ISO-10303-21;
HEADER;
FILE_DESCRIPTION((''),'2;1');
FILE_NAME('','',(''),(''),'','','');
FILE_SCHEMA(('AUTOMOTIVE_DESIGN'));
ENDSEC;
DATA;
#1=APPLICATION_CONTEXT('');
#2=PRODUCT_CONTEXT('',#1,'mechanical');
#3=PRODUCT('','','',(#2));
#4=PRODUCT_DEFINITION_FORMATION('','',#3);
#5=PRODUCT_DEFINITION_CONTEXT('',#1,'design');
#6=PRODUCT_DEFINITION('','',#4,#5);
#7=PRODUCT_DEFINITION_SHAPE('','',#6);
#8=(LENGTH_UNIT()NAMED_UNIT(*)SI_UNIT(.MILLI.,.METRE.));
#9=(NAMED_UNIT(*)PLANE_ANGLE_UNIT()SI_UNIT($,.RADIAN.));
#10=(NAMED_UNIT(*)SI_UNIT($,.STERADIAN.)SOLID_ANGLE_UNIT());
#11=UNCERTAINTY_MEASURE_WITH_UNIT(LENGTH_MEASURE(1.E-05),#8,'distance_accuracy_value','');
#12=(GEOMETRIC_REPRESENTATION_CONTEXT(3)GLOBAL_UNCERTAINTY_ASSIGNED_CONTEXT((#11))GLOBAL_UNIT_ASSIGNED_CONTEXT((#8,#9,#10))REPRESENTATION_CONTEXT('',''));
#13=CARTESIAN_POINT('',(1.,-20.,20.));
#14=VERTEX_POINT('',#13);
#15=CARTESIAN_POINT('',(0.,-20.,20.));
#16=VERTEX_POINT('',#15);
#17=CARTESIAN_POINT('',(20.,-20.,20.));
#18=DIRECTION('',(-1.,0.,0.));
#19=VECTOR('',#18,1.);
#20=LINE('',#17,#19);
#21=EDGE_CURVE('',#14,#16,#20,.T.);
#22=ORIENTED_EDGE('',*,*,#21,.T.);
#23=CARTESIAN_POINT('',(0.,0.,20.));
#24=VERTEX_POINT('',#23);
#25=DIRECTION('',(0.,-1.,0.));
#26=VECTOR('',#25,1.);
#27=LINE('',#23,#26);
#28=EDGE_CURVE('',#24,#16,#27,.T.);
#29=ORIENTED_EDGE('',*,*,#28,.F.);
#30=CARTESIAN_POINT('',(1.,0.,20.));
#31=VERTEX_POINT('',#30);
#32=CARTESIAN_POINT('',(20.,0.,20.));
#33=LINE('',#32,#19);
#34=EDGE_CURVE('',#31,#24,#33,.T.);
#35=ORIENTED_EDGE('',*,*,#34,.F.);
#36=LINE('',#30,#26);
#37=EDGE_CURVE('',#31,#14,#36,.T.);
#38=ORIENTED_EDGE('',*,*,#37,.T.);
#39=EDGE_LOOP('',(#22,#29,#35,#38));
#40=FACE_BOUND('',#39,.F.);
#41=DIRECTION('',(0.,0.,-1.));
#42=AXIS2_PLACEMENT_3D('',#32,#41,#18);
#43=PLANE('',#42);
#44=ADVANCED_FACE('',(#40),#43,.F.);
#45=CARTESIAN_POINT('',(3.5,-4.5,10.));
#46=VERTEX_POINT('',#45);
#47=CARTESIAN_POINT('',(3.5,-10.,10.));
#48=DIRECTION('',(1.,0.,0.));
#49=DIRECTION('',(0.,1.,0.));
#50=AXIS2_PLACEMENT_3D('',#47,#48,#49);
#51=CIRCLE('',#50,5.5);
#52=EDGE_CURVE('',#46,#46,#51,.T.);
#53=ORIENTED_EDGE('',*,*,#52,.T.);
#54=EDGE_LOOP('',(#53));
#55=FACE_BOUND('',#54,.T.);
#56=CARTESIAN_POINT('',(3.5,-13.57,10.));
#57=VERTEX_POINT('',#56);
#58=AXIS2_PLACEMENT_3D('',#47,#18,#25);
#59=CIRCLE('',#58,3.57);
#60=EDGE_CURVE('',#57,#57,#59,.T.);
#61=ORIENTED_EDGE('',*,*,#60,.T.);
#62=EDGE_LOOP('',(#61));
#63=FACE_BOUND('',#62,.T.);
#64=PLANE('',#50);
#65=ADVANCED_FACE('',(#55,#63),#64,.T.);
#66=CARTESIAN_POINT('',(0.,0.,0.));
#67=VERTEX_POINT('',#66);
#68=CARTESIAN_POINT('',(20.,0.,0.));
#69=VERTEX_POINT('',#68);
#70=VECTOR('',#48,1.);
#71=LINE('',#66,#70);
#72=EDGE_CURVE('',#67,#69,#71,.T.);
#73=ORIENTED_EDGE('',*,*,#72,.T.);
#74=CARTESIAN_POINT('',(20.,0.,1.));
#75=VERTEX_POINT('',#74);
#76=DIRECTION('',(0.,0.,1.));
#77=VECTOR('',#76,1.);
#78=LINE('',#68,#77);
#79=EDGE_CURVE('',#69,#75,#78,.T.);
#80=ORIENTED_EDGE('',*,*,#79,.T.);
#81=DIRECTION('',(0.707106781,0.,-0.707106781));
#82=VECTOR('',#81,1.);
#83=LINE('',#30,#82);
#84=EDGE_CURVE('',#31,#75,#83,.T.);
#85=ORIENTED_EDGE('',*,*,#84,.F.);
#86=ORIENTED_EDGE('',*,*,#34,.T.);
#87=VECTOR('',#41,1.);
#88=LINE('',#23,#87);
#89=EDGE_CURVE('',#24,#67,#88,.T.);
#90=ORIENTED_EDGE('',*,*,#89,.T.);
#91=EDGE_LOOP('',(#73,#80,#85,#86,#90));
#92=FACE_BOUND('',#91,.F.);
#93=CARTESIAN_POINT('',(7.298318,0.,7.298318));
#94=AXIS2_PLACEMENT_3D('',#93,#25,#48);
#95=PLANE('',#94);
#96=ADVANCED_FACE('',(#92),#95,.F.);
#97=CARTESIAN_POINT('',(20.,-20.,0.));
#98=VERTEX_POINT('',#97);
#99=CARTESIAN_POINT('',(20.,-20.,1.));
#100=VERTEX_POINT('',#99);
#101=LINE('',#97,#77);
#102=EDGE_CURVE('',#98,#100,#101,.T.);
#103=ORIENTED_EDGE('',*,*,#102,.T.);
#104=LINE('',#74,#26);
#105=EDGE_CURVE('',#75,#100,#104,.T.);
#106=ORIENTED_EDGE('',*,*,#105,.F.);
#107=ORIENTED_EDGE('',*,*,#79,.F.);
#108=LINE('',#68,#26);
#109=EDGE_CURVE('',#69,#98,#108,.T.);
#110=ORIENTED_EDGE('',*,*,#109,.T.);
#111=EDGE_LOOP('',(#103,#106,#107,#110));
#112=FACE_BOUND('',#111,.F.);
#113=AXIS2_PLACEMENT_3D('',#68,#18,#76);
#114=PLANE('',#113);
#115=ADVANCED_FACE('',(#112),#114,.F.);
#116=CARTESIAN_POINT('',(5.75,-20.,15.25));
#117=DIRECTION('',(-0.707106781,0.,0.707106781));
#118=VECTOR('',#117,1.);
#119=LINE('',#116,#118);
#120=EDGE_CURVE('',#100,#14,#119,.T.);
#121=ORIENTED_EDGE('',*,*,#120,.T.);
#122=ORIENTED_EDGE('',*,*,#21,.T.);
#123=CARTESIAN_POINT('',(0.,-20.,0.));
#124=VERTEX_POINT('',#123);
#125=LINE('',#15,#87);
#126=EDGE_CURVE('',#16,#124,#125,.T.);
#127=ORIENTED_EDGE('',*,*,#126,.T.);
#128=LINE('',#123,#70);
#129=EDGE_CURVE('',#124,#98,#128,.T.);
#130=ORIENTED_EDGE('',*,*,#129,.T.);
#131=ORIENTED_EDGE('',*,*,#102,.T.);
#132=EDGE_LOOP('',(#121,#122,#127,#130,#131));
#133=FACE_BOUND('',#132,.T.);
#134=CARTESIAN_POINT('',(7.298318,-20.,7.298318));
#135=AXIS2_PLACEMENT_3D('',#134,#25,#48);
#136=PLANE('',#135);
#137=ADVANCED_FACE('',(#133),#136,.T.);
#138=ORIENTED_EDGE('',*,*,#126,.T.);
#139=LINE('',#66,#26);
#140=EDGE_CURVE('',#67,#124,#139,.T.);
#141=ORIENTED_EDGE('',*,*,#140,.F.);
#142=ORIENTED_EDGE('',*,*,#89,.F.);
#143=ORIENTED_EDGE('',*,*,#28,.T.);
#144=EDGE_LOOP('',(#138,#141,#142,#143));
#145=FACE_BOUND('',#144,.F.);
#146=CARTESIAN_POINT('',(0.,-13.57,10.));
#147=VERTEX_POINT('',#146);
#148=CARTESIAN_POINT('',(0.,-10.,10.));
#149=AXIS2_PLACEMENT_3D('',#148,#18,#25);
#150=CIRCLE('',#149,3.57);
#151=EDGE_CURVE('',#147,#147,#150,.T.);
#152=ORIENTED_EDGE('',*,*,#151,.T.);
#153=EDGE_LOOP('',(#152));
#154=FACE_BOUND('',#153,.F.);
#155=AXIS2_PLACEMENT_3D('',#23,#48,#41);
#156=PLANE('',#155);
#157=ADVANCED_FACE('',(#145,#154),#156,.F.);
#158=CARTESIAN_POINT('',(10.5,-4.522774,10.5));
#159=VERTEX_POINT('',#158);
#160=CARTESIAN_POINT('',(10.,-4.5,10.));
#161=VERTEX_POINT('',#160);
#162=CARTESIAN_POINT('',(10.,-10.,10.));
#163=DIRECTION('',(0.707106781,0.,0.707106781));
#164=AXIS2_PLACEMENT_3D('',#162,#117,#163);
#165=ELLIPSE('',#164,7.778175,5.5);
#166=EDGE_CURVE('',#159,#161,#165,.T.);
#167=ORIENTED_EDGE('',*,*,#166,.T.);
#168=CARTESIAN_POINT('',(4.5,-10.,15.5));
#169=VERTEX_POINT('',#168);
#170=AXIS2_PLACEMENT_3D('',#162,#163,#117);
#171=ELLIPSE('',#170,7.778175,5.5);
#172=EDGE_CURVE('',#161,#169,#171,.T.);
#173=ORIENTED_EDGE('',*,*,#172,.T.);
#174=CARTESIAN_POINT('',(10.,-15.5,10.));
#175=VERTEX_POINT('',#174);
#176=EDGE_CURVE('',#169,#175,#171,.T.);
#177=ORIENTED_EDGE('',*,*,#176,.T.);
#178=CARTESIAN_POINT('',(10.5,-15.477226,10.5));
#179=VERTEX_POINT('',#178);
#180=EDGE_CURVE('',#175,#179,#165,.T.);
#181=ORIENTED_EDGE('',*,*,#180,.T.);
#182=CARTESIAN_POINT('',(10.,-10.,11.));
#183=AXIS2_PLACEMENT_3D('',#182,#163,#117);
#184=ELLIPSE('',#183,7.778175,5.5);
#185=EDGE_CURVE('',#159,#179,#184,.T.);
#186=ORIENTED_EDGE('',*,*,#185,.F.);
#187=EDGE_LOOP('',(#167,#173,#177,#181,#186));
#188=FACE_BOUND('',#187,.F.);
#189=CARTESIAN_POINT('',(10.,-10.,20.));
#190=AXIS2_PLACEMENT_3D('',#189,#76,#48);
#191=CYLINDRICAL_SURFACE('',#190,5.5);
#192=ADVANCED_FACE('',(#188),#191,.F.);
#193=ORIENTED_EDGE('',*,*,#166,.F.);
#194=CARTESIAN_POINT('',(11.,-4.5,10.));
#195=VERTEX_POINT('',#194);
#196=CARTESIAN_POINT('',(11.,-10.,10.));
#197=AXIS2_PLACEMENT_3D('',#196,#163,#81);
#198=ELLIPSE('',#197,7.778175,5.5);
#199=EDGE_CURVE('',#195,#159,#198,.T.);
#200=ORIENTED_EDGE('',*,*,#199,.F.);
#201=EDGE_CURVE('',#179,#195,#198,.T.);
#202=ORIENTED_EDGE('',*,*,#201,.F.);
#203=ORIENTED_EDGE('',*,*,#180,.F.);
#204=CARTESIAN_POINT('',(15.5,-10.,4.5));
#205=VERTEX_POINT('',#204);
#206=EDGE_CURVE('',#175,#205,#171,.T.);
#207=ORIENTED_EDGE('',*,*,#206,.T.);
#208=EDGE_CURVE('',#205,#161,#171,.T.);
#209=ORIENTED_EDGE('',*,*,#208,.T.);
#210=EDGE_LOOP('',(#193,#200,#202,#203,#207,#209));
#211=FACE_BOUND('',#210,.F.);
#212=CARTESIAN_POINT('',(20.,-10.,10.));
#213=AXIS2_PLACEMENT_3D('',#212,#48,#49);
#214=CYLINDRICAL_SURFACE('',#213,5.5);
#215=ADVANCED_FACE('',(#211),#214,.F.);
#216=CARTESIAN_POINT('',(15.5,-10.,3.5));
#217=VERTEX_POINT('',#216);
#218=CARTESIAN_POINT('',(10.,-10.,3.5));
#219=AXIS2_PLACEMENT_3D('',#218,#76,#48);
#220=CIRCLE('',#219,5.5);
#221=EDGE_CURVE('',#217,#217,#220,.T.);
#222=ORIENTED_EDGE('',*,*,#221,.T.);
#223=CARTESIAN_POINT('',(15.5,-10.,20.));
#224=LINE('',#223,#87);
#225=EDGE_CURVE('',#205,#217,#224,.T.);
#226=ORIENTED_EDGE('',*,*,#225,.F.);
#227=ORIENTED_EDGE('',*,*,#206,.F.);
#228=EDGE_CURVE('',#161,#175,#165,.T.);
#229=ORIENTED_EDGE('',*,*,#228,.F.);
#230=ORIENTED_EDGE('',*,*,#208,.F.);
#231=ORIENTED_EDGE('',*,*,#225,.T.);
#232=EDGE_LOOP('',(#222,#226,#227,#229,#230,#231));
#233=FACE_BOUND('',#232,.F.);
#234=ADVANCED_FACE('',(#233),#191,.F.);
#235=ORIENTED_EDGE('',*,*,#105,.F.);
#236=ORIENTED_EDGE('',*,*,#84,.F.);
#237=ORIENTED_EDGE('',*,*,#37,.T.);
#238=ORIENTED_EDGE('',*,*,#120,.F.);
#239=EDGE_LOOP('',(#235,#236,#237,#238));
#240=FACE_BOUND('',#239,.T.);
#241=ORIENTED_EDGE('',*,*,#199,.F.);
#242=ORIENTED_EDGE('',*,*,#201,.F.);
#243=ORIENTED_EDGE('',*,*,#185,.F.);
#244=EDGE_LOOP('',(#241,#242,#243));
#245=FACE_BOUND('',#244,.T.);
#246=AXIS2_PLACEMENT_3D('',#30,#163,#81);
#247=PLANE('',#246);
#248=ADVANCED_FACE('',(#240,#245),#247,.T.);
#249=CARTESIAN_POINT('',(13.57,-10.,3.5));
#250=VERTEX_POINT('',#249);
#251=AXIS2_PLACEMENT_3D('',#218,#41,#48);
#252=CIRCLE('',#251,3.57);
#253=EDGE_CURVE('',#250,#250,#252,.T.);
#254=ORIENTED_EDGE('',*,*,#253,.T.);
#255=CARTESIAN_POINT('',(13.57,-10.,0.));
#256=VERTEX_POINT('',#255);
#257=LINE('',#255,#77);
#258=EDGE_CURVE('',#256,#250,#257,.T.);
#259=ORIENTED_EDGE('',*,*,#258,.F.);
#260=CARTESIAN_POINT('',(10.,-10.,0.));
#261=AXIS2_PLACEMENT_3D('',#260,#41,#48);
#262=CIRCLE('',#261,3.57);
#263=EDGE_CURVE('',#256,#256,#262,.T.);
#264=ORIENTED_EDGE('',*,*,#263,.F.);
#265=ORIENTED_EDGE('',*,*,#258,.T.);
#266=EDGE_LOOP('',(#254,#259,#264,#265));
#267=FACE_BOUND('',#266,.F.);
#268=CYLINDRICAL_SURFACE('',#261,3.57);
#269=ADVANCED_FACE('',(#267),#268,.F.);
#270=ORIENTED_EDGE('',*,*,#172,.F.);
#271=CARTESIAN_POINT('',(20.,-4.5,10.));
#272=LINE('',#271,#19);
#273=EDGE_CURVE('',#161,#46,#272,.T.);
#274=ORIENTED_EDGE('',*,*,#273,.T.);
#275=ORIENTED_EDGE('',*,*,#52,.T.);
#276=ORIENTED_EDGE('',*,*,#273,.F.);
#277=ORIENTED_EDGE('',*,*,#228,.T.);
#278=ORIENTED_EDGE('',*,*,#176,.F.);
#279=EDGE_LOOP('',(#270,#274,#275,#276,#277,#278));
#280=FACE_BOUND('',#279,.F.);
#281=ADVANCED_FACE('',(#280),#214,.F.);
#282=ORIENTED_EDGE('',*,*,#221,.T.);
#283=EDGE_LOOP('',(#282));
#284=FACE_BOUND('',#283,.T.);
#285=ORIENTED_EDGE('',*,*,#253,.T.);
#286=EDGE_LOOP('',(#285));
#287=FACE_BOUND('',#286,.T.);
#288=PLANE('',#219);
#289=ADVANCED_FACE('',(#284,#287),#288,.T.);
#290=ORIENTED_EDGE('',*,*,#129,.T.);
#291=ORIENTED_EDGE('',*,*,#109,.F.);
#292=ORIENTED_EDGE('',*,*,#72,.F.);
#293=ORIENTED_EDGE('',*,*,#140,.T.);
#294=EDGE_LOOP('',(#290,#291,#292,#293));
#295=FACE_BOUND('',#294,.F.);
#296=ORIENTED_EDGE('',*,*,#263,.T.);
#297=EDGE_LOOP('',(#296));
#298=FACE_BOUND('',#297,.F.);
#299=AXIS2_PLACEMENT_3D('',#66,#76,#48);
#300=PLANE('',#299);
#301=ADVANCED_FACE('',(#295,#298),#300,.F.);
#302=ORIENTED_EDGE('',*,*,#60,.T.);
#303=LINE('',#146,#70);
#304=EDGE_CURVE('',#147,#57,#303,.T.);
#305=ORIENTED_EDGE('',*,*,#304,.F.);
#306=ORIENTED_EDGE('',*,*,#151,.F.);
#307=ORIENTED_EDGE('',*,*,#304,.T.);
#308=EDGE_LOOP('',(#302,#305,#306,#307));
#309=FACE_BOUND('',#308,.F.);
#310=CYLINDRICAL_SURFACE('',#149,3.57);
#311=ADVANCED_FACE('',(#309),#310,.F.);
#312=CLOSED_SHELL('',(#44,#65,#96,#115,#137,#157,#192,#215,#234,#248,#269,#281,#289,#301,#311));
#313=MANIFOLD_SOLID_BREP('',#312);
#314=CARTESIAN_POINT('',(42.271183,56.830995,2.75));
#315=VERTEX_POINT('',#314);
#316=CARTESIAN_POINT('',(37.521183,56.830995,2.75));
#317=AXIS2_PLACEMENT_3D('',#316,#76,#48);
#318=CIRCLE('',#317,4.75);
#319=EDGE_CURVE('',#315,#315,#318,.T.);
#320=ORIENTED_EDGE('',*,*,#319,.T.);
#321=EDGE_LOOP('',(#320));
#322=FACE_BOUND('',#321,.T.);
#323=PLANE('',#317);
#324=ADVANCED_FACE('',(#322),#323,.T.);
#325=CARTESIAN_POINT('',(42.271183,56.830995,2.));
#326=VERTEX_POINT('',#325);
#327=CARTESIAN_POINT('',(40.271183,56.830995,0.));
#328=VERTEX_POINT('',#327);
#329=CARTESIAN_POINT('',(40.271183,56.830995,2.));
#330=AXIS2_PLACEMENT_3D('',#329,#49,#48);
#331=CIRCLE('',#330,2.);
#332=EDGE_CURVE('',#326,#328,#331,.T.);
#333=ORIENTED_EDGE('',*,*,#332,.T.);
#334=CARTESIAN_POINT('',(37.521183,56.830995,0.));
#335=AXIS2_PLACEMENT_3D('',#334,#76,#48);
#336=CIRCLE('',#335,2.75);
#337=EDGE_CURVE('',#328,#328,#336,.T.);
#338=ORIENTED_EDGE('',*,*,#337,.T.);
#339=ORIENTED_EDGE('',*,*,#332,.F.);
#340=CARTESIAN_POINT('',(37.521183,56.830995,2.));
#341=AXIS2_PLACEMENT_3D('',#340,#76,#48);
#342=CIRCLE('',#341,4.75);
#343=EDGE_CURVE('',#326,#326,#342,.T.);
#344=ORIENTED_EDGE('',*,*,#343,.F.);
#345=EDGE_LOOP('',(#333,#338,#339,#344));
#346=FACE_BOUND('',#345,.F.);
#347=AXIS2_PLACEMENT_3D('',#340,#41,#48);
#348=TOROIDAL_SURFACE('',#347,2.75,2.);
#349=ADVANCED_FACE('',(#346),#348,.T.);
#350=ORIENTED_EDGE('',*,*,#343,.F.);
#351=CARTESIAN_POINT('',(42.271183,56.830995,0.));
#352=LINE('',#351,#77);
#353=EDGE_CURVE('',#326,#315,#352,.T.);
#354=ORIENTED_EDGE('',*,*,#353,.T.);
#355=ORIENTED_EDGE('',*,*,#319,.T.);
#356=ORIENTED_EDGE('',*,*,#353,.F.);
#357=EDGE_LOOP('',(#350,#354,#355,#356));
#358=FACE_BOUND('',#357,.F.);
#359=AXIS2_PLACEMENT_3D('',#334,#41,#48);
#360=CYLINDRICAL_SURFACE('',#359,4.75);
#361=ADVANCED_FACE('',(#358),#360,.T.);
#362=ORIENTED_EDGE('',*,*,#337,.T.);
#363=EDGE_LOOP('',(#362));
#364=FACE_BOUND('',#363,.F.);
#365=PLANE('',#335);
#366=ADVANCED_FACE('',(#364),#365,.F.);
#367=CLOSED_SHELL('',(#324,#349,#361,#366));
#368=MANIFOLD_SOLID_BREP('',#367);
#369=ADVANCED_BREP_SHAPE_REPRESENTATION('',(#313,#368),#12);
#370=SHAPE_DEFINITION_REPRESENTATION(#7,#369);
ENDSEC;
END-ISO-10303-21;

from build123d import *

# Parameters (mm, degrees)
F1_DEPTH  = 20
F5_R      = 5.5
F6_DEPTH  = 16.5
F4_R      = 5.5
F7_DEPTH  = 16.5
F3_R      = 3.57
F8_DEPTH  = 20.001
F2_R      = 3.57
F9_DEPTH  = 20.001
F10_DEPTH = 20.001
F11_R     = 4.75
F12_DEPTH = 2.75
F13_R     = 2


with BuildPart() as f1:
    # F0 (on Front) → F1 (new body)
    with BuildSketch(Plane.XZ):
        Polygon((0, 20), (0, 0), (20, 0), (20, 1), (1, 20), align=None)
        Polygon((20, 20), (1, 20), (20, 1), align=None)
    extrude(amount=F1_DEPTH)

    # F5 (on face) → F6 (cut)
    with BuildSketch(Plane.XY.offset(20)):
        with Locations((10, -10)):
            Circle(F5_R)
    extrude(amount=-F6_DEPTH, mode=Mode.SUBTRACT)

    # F4 (on face) → F7 (cut)
    with BuildSketch(Plane.YZ.offset(20)):
        with Locations((-10, 10)):
            Circle(F4_R)
    extrude(amount=-F7_DEPTH, mode=Mode.SUBTRACT)

    # F3 (on face) → F8 (cut, through all)
    with BuildSketch(Plane(origin=(0, 0, 0), x_dir=(0, -1, 0), z_dir=(-1, 0, 0))):
        with Locations((10, 10)):
            Circle(F3_R)
    extrude(amount=-F8_DEPTH, mode=Mode.SUBTRACT)

    # F2 (on face) → F9 (cut, through all)
    with BuildSketch(Plane(origin=(0, 0, 0), x_dir=(1, 0, 0), z_dir=(0, 0, -1))):
        with Locations((10, 10)):
            Circle(F2_R)
    extrude(amount=-F9_DEPTH, mode=Mode.SUBTRACT)

    # F0 (on Front) → F10 (cut, through all)
    with BuildSketch(Plane.XZ):
        Polygon((20, 20), (1, 20), (20, 1), align=None)
    extrude(amount=F10_DEPTH, mode=Mode.SUBTRACT)


with BuildPart() as f12:
    # F11 (on Top) → F12 (new body)
    with BuildSketch(Plane.XY):
        with Locations((37.521183, 56.830995)):
            Circle(F11_R)
    extrude(amount=F12_DEPTH)

    # F13
    f13_edges = [f12.edges().sort_by_distance(p)[0] for p in [
        (32.771183, 56.830995, 0),
    ]]
    fillet(f13_edges, radius=F13_R)


solid = Compound([f1.part, f12.part])
